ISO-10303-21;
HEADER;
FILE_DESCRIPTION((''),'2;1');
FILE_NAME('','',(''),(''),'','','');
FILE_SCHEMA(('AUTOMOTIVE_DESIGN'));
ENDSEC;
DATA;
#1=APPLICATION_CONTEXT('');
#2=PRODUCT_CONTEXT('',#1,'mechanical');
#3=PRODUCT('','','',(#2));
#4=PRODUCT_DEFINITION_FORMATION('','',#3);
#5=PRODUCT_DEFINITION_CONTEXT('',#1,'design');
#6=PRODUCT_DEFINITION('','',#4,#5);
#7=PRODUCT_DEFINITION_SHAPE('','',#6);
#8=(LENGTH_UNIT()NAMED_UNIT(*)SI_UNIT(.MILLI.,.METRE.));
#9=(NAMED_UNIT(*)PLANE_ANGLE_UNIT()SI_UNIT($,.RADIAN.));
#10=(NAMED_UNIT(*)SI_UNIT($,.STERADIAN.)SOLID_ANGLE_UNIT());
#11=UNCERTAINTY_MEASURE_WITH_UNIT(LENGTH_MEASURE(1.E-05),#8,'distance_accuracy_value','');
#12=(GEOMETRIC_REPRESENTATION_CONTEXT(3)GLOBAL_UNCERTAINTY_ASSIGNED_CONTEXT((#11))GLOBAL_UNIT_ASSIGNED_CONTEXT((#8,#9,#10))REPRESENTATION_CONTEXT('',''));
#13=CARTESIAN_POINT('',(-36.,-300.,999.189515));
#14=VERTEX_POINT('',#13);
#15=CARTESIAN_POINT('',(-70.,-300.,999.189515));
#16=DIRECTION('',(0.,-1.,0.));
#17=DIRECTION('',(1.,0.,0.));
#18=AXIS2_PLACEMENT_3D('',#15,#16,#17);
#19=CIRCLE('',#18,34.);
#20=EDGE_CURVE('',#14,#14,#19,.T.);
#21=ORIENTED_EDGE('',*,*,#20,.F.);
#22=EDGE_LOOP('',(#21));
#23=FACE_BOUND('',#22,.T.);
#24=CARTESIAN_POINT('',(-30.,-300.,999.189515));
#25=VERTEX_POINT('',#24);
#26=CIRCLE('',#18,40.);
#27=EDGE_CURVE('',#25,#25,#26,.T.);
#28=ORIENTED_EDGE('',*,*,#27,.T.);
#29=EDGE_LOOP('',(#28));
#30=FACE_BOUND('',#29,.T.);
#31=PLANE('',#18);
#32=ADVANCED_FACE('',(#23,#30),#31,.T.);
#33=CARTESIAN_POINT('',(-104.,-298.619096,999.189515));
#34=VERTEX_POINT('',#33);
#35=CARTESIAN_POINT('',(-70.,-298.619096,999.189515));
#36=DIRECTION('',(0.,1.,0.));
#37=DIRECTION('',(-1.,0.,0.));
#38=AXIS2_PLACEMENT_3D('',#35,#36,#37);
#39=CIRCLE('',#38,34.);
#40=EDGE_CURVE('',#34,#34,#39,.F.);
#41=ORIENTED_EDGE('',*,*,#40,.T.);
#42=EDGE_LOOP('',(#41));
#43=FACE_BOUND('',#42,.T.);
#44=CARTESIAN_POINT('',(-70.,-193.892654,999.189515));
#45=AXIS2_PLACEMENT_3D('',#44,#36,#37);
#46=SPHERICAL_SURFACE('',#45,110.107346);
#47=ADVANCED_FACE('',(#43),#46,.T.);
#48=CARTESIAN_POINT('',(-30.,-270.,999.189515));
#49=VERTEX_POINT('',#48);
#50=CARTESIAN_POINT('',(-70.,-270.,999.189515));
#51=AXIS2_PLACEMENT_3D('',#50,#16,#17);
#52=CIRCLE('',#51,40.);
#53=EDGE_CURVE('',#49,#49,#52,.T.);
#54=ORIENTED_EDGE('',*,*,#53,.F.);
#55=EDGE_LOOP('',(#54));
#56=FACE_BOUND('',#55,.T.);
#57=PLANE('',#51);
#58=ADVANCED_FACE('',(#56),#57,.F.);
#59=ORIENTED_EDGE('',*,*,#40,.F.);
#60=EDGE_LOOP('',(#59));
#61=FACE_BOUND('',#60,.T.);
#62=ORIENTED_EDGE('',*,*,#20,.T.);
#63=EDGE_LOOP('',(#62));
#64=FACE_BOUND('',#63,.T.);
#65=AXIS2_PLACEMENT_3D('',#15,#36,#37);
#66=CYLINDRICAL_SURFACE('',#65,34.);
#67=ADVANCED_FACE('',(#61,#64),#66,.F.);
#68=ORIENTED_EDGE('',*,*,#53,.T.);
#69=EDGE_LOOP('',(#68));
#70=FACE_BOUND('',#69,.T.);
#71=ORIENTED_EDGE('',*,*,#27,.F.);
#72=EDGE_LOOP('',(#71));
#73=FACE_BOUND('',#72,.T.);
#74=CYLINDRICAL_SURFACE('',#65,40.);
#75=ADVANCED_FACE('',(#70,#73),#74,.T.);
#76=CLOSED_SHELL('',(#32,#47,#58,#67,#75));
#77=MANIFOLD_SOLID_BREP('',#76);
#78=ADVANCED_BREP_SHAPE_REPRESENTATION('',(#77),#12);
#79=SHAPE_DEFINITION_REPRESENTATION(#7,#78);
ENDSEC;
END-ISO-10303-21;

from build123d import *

# Parameters (mm, degrees)
SKETCH1_R           = 40
SKETCH1_R_2         = 34
BOSS_EXTRUDE1_DEPTH = 30


with BuildPart() as part:
    # Sketch1 → Boss-Extrude1 (new body)
    with BuildSketch(Plane.XZ.offset(270)):
        with Locations((-70, 999.189515243)):
            Circle(SKETCH1_R)
        with Locations((-70, 999.189515243)):
            Circle(SKETCH1_R_2, mode=Mode.SUBTRACT)
    extrude(amount=BOSS_EXTRUDE1_DEPTH)

    # Sketch3 → Revolve1 (revolve)
    with BuildSketch(Plane.XY.offset(999.189515243)):
        with BuildLine():
            Line((-104, -298.619095925), (-104, -270))
            Line((-104, -270), (-70, -270))
            Line((-70, -270), (-70, -304))
            ThreePointArc((-70, -304), (-87.211581338, -302.646454438), (-104, -298.619095925))
        make_face()
    revolve(axis=Axis((-70, -270, 999.189515243), (0, -1, 0)))


solid = part.part
